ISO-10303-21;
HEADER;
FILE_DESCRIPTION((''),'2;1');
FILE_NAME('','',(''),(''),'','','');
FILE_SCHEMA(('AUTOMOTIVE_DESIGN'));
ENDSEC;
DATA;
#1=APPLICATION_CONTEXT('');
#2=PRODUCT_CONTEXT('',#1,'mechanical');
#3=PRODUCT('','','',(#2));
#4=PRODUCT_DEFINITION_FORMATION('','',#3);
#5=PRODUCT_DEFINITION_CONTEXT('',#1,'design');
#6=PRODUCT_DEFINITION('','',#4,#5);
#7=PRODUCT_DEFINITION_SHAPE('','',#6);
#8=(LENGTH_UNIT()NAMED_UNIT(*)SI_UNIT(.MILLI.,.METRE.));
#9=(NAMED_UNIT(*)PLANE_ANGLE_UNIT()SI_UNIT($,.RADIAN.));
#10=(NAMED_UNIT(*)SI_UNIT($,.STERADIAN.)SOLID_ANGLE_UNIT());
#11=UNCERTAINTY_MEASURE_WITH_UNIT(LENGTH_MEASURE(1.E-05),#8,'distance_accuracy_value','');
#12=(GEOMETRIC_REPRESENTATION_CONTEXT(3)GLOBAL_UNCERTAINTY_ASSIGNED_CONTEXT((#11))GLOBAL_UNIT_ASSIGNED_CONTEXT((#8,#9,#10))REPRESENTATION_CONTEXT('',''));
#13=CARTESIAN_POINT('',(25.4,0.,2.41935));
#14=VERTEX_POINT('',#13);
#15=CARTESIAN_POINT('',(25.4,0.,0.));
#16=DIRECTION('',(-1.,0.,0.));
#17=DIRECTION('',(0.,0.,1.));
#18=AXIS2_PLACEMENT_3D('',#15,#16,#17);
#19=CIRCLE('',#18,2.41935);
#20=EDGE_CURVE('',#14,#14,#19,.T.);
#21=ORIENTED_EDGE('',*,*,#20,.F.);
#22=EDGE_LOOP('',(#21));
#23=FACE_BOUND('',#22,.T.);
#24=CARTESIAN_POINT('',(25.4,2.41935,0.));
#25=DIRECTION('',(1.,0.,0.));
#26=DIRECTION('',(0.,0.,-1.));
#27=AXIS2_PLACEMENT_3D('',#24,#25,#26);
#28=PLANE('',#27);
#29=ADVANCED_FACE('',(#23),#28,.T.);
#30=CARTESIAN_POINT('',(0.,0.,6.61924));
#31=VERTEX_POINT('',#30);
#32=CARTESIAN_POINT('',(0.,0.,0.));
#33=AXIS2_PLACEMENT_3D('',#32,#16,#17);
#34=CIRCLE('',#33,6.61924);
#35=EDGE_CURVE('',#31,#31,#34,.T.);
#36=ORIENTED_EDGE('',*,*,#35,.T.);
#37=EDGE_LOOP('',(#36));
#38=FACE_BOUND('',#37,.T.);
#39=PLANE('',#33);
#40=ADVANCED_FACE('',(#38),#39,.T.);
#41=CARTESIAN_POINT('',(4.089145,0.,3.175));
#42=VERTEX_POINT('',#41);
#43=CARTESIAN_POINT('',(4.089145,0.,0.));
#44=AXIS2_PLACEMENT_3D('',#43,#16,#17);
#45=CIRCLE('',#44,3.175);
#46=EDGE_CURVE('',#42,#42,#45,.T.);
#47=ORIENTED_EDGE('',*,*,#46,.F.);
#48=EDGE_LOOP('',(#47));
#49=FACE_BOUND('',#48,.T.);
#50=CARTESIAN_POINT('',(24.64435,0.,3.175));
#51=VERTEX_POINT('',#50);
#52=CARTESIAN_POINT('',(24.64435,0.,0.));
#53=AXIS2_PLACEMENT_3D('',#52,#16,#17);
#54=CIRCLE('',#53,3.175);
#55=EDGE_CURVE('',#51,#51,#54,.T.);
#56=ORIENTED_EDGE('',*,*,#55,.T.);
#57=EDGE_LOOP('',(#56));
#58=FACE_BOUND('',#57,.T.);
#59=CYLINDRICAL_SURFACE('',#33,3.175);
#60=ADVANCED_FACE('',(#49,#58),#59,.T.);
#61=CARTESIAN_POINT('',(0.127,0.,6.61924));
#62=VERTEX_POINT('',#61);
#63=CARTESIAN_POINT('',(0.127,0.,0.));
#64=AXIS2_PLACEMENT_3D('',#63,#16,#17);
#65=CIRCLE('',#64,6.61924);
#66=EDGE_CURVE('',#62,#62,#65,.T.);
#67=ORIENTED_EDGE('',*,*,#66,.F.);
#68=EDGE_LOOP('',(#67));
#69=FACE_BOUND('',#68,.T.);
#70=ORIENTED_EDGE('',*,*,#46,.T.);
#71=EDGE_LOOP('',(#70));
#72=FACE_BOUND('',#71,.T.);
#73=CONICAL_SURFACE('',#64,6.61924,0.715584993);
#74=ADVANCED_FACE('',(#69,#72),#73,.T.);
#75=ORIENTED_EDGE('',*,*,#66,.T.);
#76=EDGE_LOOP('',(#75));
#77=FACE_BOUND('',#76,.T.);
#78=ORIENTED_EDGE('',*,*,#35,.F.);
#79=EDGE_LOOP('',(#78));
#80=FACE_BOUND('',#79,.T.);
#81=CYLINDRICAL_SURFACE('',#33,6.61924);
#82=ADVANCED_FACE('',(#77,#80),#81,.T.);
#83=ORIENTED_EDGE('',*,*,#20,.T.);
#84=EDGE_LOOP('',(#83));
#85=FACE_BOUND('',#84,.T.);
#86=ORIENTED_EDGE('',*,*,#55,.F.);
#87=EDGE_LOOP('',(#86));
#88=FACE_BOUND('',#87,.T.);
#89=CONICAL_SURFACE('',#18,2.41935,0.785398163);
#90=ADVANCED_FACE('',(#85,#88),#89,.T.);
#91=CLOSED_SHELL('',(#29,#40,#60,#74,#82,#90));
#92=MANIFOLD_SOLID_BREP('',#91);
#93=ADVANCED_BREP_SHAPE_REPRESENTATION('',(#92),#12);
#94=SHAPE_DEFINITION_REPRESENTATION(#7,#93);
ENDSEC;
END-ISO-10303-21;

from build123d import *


with BuildPart() as part:
    # BodySke → BaseBody (revolve)
    with BuildSketch(Plane.XY, mode=Mode.PRIVATE) as basebody_sk:
        Polygon((0, 0), (0, 6.61924), (0.127, 6.61924), (4.089144883, 3.175), (24.64435, 3.175), (25.4, 2.41935), (25.4, 0), align=None)
    revolve(basebody_sk.sketch.rotate(Axis((0, 0, 0), (1, 0, 0)), 90), axis=Axis((0, 0, 0), (1, 0, 0)))


solid = part.part
